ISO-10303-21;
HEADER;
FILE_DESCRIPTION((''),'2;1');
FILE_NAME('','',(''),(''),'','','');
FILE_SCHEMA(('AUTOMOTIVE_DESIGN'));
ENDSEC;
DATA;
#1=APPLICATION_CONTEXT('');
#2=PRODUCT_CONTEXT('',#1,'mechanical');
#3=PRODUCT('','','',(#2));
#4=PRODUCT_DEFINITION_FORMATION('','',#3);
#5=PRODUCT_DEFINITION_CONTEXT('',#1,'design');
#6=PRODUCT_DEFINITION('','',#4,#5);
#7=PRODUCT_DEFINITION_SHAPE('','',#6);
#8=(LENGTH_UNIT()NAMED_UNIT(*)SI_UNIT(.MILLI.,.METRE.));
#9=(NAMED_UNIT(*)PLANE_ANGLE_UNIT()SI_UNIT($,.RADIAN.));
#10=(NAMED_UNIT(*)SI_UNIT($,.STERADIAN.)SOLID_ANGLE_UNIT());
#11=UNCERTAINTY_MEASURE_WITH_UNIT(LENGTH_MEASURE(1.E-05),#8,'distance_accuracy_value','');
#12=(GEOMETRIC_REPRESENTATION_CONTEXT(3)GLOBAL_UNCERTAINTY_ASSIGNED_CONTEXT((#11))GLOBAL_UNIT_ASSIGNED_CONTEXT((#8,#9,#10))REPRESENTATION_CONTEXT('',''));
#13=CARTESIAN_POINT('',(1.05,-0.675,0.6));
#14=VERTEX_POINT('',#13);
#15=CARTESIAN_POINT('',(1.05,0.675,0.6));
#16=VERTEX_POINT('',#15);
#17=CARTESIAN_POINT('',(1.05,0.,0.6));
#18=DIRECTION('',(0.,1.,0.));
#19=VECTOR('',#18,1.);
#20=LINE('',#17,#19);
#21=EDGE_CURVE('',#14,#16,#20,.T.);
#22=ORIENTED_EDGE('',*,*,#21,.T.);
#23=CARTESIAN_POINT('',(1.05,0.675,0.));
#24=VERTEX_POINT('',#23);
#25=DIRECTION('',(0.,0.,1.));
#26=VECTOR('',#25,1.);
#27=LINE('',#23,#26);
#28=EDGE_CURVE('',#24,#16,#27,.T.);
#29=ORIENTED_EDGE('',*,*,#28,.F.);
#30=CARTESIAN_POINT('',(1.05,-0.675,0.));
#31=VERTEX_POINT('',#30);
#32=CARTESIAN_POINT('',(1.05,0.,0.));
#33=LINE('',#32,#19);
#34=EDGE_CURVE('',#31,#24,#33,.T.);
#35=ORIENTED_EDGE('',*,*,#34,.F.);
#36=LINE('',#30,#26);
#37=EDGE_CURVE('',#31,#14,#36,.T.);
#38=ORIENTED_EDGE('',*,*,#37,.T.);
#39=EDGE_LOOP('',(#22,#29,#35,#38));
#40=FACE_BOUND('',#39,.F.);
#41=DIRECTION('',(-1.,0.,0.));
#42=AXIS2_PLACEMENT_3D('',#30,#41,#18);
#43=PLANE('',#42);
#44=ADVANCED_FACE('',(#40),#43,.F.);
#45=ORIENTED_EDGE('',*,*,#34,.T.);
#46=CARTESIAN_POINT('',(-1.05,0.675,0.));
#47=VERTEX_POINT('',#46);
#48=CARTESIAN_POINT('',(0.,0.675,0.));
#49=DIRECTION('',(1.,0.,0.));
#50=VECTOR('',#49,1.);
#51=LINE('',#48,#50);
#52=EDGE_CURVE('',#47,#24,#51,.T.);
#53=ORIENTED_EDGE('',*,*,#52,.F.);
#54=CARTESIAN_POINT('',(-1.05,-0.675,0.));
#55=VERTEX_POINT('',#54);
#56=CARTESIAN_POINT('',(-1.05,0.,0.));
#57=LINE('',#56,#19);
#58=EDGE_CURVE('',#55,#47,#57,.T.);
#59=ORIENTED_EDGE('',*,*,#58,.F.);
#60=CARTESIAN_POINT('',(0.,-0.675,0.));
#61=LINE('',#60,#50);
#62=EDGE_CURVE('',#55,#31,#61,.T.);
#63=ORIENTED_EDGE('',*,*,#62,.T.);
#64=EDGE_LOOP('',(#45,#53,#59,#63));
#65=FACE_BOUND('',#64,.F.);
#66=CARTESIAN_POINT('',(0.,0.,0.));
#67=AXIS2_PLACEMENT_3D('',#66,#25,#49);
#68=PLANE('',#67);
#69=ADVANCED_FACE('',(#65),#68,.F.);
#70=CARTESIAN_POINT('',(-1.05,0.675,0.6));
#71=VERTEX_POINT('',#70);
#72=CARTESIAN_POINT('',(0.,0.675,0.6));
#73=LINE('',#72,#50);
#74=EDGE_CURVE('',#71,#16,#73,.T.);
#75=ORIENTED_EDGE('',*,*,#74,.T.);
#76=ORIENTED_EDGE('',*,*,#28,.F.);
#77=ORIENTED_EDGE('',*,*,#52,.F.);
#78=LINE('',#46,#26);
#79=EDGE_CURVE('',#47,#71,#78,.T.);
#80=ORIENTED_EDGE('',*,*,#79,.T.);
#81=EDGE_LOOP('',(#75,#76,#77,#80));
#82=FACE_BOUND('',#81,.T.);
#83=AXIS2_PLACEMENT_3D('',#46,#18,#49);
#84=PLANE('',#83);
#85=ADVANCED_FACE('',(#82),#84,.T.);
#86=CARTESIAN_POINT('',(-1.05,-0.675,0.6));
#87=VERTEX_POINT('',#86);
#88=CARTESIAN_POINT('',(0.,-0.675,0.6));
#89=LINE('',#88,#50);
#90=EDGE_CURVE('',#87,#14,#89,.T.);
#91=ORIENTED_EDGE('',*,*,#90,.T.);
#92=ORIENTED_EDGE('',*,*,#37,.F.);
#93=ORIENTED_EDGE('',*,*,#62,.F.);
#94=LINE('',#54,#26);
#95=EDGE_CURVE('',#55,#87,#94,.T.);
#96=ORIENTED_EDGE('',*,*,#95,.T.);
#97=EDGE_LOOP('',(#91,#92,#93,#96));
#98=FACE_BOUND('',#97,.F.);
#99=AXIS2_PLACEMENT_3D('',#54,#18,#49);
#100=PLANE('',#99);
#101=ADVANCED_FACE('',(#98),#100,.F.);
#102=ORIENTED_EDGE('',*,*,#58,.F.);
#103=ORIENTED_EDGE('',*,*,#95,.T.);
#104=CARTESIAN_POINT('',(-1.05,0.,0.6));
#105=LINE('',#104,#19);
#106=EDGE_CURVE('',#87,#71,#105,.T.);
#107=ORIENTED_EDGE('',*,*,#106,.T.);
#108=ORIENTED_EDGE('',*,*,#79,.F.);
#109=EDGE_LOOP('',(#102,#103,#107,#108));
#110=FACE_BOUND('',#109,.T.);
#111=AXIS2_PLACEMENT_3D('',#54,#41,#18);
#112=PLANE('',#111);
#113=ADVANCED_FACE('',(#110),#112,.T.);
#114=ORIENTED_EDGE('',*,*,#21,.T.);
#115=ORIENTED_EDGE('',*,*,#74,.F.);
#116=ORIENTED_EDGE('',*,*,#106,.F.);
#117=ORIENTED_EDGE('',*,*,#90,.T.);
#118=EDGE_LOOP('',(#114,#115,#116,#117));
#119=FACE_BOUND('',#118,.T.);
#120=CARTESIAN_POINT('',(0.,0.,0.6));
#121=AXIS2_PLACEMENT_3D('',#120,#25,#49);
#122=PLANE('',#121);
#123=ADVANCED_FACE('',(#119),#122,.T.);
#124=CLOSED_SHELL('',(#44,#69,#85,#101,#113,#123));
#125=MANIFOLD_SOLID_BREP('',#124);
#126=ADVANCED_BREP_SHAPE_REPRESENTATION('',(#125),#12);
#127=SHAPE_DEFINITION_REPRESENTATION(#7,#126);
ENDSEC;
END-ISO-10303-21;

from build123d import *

# Parameters (mm, degrees)
SKETCH_W  = 2.1
SKETCH_H  = 1.35
PAD_DEPTH = 0.6


with BuildPart() as part:
    # Sketch → Pad (new body)
    with BuildSketch(Plane.XY):
        Rectangle(SKETCH_W, SKETCH_H)
    extrude(amount=PAD_DEPTH)


solid = part.part
